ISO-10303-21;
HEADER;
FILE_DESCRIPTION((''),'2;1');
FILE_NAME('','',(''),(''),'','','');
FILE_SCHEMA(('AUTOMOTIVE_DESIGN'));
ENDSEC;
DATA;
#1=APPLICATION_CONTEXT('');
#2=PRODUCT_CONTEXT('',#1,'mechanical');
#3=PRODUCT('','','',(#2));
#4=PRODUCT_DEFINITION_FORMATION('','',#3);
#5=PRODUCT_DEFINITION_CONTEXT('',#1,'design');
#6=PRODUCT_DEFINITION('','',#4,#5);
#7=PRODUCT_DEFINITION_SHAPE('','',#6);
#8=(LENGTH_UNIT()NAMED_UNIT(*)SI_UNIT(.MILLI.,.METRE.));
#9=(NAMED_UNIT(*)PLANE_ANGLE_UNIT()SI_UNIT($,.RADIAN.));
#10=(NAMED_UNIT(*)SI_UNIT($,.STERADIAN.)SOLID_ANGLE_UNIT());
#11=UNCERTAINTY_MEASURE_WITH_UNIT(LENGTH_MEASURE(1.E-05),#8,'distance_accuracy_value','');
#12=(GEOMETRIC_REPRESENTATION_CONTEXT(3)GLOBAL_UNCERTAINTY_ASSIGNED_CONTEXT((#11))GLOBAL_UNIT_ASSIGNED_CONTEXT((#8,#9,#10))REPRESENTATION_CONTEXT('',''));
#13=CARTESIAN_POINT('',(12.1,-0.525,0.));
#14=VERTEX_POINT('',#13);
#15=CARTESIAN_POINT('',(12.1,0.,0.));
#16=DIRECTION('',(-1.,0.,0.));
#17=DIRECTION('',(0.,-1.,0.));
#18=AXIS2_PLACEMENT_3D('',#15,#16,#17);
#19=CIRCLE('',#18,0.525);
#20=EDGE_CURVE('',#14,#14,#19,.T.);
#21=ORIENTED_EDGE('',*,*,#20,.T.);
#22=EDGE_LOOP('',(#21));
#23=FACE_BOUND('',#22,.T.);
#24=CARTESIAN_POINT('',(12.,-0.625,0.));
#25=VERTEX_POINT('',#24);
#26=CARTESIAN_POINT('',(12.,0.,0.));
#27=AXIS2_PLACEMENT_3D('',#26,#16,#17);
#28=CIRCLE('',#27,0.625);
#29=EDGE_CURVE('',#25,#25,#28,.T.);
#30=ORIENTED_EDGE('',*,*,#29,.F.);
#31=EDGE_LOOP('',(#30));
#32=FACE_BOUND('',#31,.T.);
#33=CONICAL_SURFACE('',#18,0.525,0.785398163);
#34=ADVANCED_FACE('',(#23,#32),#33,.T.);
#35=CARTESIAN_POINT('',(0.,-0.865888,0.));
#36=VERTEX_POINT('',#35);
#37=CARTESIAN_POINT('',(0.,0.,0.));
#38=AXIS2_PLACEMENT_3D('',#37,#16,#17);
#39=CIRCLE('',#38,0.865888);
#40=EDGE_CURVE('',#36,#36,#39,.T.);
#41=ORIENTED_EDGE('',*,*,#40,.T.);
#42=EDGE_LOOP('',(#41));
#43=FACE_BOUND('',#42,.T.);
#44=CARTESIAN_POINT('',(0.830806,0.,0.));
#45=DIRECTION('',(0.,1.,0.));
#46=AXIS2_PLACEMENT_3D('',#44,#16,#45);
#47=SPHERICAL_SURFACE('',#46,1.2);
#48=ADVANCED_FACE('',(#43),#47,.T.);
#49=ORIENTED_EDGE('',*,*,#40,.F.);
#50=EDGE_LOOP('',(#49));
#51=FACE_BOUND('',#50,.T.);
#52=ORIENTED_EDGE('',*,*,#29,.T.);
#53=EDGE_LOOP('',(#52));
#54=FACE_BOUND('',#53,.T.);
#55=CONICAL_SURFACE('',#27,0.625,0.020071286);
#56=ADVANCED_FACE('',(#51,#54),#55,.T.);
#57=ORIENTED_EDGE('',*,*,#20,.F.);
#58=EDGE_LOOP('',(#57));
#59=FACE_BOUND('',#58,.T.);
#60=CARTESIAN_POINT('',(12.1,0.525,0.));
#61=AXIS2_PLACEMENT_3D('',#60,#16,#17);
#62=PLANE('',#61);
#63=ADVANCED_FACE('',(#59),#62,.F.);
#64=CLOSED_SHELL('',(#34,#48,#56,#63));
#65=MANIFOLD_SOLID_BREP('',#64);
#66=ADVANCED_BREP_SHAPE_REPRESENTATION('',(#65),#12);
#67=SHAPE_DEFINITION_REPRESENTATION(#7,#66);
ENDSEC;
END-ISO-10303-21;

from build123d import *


with BuildPart() as part:
    # Sketch1 → Revolve2 (revolve)
    with BuildSketch(Plane.XY):
        with BuildLine():
            Line((0, 0.865887785), (12, 0.625))
            Line((12, 0.625), (12.1, 0.525))
            Line((12.1, 0.525), (12.1, 0))
            Line((12.1, 0), (-0.36919416, 0))
            ThreePointArc((-0.36919416, 0), (-0.273043563, 0.47065539), (0, 0.865887785))
        make_face()
    revolve(axis=Axis((-0.36919416, 0, 0), (1, 0, 0)))


solid = part.part
